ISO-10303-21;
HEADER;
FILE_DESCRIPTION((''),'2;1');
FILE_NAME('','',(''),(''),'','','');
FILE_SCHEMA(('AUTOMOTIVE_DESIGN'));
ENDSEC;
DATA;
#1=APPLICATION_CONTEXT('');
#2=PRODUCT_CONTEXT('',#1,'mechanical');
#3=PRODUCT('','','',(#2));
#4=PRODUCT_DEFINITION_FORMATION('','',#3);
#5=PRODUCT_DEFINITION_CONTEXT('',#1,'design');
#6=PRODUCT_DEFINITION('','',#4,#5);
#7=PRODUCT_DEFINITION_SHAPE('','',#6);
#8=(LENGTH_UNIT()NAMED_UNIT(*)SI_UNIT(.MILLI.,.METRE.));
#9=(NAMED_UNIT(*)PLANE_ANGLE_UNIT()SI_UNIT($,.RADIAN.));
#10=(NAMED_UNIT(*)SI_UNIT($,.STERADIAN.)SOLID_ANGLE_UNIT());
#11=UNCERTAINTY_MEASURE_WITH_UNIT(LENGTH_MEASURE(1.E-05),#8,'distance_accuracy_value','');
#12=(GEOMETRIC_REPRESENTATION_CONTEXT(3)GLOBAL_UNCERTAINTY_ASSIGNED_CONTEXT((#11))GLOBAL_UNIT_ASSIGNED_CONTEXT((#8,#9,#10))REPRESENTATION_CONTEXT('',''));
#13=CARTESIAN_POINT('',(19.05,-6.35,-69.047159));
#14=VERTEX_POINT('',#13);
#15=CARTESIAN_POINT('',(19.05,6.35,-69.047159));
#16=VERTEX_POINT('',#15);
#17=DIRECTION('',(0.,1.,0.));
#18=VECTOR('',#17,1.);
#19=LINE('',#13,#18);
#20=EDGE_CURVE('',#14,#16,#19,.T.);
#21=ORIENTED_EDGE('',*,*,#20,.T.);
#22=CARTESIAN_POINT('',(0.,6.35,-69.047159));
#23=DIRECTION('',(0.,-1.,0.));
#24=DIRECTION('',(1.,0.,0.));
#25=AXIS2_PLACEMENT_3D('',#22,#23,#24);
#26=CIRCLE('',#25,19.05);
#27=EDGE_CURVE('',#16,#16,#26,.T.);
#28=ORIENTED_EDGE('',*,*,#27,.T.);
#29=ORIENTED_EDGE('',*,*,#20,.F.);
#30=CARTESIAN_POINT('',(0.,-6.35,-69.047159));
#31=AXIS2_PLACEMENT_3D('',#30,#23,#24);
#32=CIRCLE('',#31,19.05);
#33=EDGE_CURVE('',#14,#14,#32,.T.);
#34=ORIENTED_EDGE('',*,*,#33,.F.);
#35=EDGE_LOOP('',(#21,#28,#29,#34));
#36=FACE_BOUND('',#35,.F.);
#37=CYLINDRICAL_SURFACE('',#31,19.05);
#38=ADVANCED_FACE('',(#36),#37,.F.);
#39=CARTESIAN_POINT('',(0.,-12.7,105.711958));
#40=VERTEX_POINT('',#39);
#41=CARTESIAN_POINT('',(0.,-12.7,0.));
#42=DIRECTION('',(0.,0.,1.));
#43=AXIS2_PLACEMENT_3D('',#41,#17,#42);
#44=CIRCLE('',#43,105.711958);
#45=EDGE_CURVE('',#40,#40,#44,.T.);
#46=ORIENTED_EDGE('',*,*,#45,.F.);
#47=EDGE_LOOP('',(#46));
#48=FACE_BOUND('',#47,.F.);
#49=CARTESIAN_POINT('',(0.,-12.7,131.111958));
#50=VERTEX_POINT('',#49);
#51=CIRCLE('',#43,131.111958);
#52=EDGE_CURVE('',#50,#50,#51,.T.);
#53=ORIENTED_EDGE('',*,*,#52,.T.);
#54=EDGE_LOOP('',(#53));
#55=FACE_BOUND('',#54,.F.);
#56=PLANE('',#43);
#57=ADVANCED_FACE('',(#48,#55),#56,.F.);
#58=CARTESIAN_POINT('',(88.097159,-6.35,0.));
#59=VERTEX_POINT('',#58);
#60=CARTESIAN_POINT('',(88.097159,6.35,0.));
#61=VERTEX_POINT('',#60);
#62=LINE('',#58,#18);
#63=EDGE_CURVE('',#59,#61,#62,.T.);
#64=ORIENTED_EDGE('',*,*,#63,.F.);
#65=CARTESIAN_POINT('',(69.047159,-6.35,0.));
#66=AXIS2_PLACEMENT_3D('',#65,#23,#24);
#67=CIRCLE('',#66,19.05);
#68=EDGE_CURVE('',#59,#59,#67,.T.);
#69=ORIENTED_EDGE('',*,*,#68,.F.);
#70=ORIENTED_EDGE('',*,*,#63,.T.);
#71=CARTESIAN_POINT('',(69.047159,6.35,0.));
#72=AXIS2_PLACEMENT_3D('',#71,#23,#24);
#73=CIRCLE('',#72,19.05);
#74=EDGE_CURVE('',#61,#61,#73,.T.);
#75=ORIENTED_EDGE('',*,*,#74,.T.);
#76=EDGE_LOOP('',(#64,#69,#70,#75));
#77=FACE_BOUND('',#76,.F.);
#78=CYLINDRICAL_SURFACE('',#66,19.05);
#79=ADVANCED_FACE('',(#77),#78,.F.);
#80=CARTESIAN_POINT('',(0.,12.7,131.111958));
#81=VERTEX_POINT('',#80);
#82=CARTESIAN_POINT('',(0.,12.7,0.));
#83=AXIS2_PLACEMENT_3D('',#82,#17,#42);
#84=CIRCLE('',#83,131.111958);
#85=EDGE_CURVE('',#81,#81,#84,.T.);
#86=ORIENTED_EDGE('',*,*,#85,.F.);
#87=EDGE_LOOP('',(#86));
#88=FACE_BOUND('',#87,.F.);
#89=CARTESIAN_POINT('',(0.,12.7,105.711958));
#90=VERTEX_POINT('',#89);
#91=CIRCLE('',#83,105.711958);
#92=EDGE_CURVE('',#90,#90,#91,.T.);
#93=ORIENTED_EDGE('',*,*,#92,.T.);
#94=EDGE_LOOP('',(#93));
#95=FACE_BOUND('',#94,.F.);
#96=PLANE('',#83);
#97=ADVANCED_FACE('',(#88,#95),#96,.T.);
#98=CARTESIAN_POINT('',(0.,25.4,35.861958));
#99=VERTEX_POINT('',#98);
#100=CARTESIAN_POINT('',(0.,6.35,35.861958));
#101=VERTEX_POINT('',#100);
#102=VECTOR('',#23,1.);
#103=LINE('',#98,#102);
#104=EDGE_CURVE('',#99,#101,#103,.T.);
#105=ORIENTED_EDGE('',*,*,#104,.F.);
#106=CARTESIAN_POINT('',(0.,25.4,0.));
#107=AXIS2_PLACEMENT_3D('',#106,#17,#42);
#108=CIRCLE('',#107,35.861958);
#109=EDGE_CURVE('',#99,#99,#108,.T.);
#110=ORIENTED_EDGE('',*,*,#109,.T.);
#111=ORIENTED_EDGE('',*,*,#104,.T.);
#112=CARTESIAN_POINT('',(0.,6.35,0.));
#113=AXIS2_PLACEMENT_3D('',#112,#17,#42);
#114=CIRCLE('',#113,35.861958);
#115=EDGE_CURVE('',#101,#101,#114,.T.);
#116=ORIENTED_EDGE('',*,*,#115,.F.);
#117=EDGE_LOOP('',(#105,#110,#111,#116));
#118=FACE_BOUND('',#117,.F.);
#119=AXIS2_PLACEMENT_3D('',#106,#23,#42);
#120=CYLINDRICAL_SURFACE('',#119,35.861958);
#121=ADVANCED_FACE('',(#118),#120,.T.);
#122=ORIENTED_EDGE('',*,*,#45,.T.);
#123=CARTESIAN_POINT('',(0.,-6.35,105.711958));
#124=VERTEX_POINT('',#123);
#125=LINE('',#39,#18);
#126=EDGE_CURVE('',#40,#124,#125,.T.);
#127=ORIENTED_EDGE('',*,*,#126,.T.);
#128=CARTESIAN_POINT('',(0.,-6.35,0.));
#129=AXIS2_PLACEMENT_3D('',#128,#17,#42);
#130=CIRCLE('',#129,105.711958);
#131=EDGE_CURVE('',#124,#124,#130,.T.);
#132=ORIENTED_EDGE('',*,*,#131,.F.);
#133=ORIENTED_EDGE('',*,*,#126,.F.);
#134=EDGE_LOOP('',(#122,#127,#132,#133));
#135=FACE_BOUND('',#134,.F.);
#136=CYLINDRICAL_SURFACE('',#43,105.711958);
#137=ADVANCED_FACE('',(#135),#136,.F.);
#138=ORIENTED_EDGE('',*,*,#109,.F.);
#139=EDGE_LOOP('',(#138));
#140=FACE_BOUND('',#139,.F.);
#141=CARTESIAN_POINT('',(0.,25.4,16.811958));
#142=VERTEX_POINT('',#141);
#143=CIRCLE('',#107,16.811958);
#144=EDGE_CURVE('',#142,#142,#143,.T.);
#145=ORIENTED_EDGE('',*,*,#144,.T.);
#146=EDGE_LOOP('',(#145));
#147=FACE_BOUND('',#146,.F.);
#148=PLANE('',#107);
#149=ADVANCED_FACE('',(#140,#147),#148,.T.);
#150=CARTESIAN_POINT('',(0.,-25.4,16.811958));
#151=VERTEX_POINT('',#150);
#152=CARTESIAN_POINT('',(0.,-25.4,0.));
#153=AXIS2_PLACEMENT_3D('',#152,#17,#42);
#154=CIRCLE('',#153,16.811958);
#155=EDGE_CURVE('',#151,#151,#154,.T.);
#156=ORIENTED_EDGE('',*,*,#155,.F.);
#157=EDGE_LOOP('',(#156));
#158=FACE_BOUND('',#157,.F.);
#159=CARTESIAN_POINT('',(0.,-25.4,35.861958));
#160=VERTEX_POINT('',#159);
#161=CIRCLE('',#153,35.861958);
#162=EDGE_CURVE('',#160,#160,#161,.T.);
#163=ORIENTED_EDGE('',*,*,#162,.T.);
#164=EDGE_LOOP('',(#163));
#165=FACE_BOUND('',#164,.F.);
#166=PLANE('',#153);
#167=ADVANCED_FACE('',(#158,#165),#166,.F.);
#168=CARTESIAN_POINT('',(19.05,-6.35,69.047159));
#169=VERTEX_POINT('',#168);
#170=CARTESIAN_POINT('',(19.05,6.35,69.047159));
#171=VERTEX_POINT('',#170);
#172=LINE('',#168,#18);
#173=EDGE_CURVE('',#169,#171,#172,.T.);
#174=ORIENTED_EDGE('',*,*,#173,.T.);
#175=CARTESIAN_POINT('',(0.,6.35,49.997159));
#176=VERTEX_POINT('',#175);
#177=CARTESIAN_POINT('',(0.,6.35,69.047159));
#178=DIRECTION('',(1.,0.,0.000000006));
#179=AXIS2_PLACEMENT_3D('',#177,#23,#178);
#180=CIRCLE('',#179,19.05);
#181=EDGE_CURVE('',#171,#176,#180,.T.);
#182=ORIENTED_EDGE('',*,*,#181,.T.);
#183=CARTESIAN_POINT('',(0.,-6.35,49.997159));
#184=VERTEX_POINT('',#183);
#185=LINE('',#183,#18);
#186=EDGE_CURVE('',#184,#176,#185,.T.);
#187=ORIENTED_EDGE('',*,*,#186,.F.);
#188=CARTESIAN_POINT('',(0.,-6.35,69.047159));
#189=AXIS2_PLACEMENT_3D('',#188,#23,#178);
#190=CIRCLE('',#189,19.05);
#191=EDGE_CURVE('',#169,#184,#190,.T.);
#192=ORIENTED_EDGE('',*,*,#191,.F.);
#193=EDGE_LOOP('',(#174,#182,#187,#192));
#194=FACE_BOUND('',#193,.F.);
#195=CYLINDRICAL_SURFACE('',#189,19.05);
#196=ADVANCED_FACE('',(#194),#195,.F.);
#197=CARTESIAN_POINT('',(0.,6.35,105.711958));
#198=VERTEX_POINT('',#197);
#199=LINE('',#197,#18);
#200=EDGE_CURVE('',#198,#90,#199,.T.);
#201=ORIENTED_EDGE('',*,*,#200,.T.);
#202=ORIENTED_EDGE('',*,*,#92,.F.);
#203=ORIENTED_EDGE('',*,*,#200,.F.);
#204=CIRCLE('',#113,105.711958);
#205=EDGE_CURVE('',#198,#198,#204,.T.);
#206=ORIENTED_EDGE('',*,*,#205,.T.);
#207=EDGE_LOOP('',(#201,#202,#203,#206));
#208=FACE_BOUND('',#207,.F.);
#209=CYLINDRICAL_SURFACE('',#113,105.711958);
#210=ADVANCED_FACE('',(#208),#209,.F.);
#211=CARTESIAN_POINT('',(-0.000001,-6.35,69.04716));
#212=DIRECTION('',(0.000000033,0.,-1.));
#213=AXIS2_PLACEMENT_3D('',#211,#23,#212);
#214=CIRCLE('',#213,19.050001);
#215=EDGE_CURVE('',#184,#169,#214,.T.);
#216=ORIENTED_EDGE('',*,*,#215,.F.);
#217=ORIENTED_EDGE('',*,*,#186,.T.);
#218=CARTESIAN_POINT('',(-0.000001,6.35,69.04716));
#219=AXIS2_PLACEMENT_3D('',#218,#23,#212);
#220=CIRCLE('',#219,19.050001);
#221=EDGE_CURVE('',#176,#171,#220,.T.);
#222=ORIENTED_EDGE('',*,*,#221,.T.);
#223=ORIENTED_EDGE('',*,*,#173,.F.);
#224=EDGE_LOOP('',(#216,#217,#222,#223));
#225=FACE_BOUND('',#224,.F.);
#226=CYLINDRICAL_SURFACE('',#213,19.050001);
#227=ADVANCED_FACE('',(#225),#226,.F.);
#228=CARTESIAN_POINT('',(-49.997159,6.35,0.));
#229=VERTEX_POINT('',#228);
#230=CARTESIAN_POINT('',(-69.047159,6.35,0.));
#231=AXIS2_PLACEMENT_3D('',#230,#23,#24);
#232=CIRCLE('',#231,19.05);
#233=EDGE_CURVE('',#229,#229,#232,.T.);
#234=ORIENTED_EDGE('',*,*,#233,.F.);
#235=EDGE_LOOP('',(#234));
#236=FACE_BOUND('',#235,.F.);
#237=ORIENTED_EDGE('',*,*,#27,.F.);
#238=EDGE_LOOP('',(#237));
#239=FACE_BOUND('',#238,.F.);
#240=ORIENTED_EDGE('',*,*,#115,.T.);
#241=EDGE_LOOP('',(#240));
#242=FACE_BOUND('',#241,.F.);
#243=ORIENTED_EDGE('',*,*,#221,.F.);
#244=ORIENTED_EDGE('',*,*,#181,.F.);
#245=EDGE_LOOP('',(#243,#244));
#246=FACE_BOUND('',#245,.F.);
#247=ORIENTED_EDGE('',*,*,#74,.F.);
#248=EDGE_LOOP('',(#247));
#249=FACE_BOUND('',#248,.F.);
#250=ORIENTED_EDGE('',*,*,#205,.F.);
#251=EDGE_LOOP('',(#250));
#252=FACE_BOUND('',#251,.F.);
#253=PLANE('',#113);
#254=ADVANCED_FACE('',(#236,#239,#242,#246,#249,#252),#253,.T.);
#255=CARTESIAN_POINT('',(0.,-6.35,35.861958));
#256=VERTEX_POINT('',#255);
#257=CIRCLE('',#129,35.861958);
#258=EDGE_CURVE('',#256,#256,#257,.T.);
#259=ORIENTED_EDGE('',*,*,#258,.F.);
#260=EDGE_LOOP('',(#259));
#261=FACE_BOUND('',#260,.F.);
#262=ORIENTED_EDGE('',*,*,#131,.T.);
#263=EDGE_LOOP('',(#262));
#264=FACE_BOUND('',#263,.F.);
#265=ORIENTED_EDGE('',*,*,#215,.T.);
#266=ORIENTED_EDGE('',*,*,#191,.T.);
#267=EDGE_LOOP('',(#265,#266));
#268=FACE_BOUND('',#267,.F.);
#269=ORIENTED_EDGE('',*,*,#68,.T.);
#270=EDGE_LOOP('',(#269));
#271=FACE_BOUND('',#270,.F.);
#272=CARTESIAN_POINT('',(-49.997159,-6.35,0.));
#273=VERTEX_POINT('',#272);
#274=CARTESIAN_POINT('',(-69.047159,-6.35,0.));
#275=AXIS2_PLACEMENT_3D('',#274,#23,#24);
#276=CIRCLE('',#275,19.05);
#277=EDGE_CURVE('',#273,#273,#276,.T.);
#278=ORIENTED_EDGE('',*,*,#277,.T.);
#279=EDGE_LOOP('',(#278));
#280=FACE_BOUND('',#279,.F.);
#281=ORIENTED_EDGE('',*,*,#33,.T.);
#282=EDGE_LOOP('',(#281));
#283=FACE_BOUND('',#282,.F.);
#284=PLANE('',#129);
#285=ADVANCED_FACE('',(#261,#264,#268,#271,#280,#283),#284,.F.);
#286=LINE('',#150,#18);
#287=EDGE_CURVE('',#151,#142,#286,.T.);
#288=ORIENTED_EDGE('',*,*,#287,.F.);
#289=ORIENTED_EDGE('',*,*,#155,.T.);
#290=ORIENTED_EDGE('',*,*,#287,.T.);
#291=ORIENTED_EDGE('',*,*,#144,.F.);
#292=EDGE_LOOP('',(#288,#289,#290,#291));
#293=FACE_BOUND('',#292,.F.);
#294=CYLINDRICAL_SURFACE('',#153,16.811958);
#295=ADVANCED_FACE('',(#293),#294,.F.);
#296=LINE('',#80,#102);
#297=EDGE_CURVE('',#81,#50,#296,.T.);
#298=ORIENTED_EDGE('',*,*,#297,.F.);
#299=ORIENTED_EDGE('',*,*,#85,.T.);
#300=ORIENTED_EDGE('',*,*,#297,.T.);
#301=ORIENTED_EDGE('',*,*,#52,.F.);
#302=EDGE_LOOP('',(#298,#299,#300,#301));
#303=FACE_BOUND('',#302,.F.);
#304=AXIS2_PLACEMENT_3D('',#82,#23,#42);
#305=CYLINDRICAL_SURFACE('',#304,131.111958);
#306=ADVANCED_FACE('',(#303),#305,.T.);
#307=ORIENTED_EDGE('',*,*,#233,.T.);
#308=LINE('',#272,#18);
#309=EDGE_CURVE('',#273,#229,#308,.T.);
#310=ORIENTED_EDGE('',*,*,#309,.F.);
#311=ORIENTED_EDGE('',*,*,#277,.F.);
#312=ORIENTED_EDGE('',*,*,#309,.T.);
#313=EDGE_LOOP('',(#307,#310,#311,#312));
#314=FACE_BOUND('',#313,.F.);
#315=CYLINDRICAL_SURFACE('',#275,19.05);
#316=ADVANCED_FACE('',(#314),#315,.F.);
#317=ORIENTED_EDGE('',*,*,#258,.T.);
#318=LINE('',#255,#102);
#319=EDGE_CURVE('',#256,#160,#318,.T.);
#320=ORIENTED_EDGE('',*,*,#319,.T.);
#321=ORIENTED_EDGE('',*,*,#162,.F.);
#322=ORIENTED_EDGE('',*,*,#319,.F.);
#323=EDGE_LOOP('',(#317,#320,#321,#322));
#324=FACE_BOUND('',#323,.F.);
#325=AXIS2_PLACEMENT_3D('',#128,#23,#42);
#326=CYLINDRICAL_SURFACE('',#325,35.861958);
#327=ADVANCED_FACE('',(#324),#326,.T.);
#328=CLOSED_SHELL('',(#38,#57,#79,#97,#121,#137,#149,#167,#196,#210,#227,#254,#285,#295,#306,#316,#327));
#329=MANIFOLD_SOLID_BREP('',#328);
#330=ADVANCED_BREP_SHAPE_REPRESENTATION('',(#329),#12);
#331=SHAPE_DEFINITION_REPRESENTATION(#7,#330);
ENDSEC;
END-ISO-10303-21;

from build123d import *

# Parameters (mm, degrees)
F2_R     = 19.05
F3_DEPTH = 25.4


with BuildPart() as f1:
    # F0 (on Right) → F1 (revolve)
    with BuildSketch(Plane.YZ):
        Polygon((-25.4, 16.811958), (0, 16.811958), (0, 26.336958), (0, 28.782088), (-6.35, 28.782088), (-6.35, 35.861958), (-25.4, 35.861958), align=None)
        Polygon((0, 26.336958), (0, 16.811958), (25.4, 16.811958), (25.4, 35.861958), (6.35, 35.861958), (6.35, 105.711958), (12.7, 105.711958), (12.7, 131.111958), (-12.7, 131.111958), (-12.7, 105.711958), (-6.35, 105.711958), (-6.35, 35.861958), (-6.35, 28.782088), (0, 28.782088), align=None)
    revolve(axis=Axis((0, 18.4531, 0), (0, 1, 0)))

    # F2 (on face) → F3 (cut)
    with BuildSketch(Plane.XZ.offset(6.35)):
        with BuildLine():
            ThreePointArc((19.05, 69.047159), (-13.470384, 82.517543), (0, 49.997159))
            ThreePointArc((0, 49.997159), (13.470384, 55.576775), (19.05, 69.047159))
        make_face()
        with Locations((69.047159, 0)):
            Circle(F2_R)
        with Locations((0, -69.047159)):
            Circle(F2_R)
        with Locations((-69.047159, 0)):
            Circle(F2_R)
    extrude(amount=-F3_DEPTH, mode=Mode.SUBTRACT)


solid = f1.part
